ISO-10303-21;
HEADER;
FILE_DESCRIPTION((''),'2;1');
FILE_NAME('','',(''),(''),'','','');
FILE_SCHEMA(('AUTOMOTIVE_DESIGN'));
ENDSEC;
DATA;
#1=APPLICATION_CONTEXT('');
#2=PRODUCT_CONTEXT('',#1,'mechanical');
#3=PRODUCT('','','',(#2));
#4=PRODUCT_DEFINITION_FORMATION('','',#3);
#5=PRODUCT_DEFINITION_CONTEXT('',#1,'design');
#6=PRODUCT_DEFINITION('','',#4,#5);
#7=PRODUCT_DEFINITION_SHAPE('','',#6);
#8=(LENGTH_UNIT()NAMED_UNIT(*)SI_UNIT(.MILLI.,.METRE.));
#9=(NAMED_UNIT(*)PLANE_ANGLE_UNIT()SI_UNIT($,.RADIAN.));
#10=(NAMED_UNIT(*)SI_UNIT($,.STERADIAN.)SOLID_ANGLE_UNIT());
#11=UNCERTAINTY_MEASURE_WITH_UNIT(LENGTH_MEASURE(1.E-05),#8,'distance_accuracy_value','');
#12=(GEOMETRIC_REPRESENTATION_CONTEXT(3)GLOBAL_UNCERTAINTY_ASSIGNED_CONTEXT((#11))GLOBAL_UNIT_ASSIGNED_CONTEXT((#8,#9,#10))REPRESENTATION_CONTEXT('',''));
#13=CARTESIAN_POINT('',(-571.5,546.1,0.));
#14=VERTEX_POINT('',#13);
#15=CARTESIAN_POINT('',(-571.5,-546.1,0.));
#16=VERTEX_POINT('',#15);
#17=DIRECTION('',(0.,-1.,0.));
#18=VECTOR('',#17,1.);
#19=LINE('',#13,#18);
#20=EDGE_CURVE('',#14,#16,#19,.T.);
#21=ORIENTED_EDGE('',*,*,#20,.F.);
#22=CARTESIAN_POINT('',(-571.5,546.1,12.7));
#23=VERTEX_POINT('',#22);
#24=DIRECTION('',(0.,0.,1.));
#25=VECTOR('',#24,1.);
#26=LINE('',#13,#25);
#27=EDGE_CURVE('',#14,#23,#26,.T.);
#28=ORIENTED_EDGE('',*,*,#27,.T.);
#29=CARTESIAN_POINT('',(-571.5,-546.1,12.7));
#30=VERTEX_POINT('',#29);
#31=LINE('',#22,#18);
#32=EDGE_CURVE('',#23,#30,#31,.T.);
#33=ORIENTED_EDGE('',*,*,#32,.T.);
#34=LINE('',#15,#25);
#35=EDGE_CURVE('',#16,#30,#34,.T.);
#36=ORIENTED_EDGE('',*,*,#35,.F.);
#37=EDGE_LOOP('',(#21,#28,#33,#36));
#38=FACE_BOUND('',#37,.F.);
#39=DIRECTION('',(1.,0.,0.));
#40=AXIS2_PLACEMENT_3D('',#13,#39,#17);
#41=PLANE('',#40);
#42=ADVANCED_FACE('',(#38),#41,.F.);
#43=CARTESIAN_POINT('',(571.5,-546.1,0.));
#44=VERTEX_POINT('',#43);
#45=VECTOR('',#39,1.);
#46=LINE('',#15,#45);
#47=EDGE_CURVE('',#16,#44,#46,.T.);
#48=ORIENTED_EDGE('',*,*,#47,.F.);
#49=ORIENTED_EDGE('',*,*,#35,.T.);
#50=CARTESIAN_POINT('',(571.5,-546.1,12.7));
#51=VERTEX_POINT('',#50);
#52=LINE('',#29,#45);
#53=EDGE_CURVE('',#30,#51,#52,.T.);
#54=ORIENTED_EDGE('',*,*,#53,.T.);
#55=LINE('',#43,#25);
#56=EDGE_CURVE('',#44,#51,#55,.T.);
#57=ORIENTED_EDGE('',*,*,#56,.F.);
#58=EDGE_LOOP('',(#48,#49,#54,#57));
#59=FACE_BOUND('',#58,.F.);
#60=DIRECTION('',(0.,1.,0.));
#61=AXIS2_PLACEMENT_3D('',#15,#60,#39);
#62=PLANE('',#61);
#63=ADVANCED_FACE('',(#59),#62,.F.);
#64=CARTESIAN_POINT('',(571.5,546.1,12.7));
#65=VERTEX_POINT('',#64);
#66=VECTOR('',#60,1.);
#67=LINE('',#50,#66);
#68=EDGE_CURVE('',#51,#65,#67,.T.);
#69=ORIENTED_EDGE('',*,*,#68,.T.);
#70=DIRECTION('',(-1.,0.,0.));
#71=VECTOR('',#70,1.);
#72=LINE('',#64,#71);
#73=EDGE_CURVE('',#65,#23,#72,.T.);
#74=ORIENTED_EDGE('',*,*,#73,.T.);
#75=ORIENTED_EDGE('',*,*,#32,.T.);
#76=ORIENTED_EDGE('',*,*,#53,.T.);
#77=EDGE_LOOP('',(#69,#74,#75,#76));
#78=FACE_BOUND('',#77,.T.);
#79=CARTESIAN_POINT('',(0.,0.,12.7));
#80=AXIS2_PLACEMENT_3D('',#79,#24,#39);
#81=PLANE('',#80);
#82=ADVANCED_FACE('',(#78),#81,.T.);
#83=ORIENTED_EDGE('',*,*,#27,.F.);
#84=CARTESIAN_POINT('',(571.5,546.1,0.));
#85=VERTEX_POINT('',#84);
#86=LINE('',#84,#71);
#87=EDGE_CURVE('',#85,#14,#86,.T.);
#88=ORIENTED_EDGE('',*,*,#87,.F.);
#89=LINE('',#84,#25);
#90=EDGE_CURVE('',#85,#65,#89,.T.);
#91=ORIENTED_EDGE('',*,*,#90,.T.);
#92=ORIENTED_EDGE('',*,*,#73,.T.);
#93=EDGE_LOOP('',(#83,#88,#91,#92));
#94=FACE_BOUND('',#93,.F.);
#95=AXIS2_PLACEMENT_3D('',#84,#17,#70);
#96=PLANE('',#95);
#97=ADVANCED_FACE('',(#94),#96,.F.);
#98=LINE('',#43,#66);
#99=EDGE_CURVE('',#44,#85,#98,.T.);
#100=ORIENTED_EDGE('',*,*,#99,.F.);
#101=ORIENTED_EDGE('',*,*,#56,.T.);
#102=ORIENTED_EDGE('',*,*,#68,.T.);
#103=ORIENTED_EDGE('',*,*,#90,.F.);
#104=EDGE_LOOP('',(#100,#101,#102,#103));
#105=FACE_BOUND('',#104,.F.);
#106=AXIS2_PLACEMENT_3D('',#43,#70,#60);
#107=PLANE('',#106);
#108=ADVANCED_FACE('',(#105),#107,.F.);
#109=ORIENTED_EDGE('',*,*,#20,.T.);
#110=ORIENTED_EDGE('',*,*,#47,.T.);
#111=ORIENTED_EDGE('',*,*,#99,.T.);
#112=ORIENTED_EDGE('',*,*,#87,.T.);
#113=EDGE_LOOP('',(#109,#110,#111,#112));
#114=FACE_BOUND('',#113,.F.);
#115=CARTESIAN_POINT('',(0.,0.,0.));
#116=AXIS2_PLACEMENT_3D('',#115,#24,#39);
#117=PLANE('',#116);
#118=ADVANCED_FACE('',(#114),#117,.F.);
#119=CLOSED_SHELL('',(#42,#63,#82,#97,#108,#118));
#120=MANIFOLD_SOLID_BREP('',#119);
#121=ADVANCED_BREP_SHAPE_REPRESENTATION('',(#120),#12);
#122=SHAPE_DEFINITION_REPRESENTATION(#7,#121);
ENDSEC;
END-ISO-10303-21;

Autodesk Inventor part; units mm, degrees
ref_plane "YZ Plane" through (0, 0, 0) normal (1, 0, 0) x (0, 1, 0)
ref_plane "XZ Plane" through (0, 0, 0) normal (0, 1, 0) x (-1, 0, 0)
ref_plane "XY Plane" through (0, 0, 0) normal (0, 0, 1) x (1, 0, 0)
sketch "Sketch1" plane through (0, 0, 0) normal (0, 0, 1) x (1, 0, 0)
  line L0 (-571.5, -546.1) -> (571.5, -546.1)
  line L1 (571.5, -546.1) -> (571.5, 546.1)
  line L2 (571.5, 546.1) -> (-571.5, 546.1)
  line L3 (-571.5, 546.1) -> (-571.5, -546.1)
  line L4 (-571.5, -546.1) -> (571.5, 546.1) construction
  line L5 (571.5, -546.1) -> (-571.5, 546.1) construction
  point P0 (0, 0)
  dimension "d0" = 1143
  dimension "d1" = 1092.2
extrude "Extrusion1" add sketch "Sketch1" along normal blind 12.7
properties part number "left_0_1"
